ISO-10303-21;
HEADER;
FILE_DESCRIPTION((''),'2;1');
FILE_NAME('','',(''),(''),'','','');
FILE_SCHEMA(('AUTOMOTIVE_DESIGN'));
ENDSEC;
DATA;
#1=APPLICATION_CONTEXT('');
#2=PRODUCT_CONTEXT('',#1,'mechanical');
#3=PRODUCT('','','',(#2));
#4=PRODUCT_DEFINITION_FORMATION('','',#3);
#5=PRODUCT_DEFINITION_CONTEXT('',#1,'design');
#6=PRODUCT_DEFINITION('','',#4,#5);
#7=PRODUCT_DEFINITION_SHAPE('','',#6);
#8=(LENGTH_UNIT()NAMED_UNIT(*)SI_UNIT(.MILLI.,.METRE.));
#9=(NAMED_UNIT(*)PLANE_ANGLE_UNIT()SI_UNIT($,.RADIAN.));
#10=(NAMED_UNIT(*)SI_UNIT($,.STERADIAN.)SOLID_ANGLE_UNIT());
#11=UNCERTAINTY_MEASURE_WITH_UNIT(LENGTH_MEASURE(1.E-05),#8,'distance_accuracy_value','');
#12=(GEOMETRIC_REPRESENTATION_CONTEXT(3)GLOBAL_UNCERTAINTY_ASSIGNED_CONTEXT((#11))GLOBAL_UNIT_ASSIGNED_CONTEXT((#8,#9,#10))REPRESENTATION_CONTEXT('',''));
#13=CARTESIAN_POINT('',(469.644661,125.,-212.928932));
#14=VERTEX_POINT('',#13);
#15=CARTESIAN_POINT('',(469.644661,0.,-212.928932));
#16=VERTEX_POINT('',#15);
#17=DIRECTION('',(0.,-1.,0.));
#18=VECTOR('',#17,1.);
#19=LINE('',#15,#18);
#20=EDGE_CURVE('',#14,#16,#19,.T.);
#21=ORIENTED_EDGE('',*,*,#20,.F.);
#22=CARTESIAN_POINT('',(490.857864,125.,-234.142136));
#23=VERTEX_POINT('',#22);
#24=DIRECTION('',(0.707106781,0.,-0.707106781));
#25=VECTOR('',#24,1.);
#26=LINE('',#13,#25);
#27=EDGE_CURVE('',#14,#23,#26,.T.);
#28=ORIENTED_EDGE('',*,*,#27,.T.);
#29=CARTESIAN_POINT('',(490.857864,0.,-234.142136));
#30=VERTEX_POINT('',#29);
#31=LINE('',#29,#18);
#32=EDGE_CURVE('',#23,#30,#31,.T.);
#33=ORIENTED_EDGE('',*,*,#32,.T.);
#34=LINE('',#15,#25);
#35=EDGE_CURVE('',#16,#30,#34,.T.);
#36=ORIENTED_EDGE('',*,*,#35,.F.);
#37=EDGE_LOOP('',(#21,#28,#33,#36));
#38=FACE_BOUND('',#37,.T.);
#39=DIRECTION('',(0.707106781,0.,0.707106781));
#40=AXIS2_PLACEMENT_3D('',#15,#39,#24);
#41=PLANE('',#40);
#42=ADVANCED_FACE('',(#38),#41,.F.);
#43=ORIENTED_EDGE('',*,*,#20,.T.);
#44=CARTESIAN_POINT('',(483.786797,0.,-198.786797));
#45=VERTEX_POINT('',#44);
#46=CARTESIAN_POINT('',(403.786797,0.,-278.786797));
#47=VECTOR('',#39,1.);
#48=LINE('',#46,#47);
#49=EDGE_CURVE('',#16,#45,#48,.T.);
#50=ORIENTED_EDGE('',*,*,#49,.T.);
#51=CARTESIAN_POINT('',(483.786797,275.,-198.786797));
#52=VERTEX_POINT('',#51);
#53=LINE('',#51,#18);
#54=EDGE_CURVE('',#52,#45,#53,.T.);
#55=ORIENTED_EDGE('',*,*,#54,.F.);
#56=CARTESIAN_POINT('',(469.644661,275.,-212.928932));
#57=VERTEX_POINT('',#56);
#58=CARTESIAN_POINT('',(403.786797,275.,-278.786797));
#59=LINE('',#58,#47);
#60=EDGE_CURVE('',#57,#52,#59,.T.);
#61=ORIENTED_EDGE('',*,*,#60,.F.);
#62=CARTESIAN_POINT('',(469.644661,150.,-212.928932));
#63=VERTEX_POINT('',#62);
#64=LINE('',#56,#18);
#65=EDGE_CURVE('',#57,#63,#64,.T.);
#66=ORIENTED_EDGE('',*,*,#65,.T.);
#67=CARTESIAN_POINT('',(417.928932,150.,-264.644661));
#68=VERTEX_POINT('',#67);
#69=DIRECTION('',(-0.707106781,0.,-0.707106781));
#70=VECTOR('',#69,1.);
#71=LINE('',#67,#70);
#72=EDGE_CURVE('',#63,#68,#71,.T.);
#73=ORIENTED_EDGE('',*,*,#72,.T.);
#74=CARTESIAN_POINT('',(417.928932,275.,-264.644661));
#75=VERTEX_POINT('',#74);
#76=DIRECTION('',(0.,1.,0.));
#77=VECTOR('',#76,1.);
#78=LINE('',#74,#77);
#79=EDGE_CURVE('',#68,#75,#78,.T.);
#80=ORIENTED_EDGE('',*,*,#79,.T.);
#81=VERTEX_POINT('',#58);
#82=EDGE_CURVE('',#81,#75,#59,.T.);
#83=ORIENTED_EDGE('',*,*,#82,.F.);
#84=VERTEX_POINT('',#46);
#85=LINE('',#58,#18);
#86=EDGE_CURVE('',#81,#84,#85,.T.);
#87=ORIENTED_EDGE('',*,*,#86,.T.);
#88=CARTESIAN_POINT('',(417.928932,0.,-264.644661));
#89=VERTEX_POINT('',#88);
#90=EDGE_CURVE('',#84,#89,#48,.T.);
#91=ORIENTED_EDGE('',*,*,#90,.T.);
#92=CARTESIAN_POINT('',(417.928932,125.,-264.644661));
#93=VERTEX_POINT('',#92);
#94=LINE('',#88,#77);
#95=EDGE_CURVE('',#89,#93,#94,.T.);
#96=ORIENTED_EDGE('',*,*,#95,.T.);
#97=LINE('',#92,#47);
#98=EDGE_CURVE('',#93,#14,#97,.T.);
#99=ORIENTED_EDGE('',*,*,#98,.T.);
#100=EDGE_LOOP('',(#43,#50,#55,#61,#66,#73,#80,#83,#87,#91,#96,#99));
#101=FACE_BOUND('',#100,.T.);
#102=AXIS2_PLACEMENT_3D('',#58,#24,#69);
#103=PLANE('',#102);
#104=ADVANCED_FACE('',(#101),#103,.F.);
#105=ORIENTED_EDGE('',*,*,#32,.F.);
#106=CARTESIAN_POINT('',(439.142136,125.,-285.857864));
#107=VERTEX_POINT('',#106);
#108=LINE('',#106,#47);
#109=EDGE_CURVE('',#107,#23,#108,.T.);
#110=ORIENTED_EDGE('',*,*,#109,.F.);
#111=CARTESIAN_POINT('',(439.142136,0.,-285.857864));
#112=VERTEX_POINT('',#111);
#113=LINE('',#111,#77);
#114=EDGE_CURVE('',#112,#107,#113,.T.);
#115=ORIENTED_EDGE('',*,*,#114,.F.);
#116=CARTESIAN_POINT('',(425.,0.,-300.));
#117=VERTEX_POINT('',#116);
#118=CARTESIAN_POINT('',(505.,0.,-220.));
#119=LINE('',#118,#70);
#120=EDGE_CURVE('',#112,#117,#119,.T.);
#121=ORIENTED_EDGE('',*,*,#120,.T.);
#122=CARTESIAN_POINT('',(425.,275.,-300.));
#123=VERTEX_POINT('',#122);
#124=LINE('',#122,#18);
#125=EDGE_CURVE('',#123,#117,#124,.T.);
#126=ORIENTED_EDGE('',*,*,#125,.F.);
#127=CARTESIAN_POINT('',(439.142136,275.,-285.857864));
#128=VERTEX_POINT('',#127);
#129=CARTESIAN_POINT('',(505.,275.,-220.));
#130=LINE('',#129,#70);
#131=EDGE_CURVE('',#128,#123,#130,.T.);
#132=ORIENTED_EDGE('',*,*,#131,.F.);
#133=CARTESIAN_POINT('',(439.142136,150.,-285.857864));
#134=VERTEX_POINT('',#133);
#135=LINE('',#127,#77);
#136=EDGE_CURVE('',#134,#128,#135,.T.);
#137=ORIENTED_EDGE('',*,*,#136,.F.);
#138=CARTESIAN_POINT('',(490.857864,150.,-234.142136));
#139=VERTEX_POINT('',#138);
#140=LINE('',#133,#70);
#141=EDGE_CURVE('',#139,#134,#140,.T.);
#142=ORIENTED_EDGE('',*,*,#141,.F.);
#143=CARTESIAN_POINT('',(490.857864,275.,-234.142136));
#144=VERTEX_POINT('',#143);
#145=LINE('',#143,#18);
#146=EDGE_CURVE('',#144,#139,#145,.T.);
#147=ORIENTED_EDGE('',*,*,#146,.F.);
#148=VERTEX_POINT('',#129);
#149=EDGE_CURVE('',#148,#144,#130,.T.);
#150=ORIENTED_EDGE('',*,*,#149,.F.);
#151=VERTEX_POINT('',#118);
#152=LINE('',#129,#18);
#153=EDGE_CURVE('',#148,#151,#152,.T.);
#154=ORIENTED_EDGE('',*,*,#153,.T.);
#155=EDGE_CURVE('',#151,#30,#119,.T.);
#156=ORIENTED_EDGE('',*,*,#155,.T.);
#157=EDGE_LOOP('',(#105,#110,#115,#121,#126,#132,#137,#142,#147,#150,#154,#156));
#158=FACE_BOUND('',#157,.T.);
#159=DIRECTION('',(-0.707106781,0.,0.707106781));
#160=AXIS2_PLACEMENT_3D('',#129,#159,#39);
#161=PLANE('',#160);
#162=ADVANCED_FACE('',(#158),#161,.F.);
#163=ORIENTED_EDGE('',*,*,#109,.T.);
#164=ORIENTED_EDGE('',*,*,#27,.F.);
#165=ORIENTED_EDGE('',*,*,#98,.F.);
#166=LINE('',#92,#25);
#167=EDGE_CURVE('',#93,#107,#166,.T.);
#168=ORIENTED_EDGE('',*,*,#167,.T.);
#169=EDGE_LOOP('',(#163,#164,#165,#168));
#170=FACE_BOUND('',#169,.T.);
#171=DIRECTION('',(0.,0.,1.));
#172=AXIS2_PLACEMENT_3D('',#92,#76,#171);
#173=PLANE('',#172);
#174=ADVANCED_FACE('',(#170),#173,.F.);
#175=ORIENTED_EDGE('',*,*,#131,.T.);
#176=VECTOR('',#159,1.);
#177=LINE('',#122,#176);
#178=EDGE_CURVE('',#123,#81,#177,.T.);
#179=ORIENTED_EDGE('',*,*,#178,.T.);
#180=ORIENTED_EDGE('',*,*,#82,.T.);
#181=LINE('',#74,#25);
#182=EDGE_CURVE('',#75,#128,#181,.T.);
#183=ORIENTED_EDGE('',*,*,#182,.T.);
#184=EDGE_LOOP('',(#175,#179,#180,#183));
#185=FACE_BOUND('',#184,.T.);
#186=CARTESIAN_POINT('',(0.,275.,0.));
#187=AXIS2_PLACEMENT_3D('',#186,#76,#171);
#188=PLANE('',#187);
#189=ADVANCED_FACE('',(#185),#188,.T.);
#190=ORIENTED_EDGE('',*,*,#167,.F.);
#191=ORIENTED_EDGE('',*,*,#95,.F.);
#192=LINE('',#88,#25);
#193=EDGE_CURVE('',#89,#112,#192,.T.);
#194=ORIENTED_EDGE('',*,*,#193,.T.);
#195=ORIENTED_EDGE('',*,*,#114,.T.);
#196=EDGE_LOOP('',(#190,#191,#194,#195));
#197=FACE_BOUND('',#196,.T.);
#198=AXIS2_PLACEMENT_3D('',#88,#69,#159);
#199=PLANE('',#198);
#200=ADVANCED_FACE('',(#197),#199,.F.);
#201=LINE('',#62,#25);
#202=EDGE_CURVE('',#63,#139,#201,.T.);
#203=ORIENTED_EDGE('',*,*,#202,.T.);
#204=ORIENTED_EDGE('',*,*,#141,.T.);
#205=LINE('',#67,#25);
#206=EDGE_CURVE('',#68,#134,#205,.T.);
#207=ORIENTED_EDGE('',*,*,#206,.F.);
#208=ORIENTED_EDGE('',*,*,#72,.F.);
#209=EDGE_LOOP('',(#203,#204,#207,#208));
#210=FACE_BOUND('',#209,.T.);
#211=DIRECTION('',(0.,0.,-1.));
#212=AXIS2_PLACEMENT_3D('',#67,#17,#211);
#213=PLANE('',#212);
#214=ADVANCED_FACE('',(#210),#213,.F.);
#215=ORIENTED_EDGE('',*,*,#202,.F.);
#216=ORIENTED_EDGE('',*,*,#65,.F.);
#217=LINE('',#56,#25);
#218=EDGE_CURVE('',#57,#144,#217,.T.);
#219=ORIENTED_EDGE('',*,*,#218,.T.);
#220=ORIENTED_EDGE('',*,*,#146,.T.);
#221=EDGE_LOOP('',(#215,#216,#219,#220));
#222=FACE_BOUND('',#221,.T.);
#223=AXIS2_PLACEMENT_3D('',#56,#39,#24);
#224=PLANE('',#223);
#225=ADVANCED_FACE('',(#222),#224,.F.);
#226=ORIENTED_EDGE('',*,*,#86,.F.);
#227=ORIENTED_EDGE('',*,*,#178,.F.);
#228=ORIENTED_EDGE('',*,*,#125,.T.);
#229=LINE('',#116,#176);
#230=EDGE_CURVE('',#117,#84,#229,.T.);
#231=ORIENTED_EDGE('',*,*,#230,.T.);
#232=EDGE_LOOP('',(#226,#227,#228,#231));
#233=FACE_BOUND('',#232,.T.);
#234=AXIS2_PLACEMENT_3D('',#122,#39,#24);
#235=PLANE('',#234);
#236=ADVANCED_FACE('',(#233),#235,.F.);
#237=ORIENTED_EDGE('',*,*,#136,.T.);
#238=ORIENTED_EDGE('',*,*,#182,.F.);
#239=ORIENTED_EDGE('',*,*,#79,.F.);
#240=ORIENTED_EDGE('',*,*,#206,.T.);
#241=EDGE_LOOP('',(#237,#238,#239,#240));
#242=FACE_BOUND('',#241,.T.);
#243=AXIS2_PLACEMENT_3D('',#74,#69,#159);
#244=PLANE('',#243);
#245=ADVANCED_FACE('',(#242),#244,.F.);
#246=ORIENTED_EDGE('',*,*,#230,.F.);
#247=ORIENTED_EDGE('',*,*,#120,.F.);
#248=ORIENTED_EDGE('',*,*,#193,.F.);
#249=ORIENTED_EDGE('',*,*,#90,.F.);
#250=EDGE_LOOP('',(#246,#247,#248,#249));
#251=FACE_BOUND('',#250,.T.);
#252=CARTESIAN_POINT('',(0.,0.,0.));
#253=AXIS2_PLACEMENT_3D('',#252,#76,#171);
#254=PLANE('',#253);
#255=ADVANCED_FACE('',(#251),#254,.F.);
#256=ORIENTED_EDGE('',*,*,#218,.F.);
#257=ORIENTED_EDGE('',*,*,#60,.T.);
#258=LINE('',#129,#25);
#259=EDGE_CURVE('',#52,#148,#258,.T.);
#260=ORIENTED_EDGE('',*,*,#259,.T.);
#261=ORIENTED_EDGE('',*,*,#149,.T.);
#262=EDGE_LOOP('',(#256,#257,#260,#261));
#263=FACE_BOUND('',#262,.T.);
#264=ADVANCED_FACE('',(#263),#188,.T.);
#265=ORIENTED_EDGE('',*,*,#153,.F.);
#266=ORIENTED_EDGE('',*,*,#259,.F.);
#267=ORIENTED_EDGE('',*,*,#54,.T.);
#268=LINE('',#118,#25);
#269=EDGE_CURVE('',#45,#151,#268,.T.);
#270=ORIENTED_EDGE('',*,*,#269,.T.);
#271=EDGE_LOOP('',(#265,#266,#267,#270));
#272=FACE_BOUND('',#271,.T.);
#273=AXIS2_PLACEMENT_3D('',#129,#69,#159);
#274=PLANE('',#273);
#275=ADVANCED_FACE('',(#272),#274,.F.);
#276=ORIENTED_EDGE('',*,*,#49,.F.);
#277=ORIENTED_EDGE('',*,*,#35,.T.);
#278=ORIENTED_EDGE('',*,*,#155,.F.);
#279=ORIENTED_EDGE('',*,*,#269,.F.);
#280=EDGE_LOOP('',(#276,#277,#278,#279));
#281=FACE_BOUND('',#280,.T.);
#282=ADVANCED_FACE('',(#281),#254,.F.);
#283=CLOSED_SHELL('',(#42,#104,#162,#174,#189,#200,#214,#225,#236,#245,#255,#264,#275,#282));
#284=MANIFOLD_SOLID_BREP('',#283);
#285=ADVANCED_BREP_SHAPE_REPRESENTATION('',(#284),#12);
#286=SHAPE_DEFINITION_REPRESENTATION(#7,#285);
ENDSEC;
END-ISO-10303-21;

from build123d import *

# Parameters (mm, degrees)
EXTRUDE_1_DEPTH     = 275
SKETCH_4_W          = 73.13708499
SKETCH_4_H          = 125
CUT_EXTRUDE_3_DEPTH = 30


with BuildPart() as part:
    # 草图1 → 凸台-拉伸1 (new body)
    with BuildSketch(Plane(origin=(0, 0, 0), x_dir=(1, 0, 0), z_dir=(0, 1, 0))):
        Polygon((505, 220), (483.786796564, 198.786796564), (403.786796564, 278.786796564), (425, 300), align=None)
    extrude(amount=EXTRUDE_1_DEPTH)

    # 草图4 → 切除-拉伸3 (cut)
    with BuildSketch(Plane(origin=(362.5, 0, -362.5), x_dir=(-0.7071067811865475, 0, -0.7071067811865477), z_dir=(0.7071067811865477, 0, -0.7071067811865475))):
        with Locations((-144.956890143, 212.5)):
            Rectangle(SKETCH_4_W, SKETCH_4_H)
        with Locations((-144.956890143, 62.5)):
            Rectangle(SKETCH_4_W, SKETCH_4_H)
    extrude(amount=-CUT_EXTRUDE_3_DEPTH, mode=Mode.SUBTRACT)


solid = part.part
